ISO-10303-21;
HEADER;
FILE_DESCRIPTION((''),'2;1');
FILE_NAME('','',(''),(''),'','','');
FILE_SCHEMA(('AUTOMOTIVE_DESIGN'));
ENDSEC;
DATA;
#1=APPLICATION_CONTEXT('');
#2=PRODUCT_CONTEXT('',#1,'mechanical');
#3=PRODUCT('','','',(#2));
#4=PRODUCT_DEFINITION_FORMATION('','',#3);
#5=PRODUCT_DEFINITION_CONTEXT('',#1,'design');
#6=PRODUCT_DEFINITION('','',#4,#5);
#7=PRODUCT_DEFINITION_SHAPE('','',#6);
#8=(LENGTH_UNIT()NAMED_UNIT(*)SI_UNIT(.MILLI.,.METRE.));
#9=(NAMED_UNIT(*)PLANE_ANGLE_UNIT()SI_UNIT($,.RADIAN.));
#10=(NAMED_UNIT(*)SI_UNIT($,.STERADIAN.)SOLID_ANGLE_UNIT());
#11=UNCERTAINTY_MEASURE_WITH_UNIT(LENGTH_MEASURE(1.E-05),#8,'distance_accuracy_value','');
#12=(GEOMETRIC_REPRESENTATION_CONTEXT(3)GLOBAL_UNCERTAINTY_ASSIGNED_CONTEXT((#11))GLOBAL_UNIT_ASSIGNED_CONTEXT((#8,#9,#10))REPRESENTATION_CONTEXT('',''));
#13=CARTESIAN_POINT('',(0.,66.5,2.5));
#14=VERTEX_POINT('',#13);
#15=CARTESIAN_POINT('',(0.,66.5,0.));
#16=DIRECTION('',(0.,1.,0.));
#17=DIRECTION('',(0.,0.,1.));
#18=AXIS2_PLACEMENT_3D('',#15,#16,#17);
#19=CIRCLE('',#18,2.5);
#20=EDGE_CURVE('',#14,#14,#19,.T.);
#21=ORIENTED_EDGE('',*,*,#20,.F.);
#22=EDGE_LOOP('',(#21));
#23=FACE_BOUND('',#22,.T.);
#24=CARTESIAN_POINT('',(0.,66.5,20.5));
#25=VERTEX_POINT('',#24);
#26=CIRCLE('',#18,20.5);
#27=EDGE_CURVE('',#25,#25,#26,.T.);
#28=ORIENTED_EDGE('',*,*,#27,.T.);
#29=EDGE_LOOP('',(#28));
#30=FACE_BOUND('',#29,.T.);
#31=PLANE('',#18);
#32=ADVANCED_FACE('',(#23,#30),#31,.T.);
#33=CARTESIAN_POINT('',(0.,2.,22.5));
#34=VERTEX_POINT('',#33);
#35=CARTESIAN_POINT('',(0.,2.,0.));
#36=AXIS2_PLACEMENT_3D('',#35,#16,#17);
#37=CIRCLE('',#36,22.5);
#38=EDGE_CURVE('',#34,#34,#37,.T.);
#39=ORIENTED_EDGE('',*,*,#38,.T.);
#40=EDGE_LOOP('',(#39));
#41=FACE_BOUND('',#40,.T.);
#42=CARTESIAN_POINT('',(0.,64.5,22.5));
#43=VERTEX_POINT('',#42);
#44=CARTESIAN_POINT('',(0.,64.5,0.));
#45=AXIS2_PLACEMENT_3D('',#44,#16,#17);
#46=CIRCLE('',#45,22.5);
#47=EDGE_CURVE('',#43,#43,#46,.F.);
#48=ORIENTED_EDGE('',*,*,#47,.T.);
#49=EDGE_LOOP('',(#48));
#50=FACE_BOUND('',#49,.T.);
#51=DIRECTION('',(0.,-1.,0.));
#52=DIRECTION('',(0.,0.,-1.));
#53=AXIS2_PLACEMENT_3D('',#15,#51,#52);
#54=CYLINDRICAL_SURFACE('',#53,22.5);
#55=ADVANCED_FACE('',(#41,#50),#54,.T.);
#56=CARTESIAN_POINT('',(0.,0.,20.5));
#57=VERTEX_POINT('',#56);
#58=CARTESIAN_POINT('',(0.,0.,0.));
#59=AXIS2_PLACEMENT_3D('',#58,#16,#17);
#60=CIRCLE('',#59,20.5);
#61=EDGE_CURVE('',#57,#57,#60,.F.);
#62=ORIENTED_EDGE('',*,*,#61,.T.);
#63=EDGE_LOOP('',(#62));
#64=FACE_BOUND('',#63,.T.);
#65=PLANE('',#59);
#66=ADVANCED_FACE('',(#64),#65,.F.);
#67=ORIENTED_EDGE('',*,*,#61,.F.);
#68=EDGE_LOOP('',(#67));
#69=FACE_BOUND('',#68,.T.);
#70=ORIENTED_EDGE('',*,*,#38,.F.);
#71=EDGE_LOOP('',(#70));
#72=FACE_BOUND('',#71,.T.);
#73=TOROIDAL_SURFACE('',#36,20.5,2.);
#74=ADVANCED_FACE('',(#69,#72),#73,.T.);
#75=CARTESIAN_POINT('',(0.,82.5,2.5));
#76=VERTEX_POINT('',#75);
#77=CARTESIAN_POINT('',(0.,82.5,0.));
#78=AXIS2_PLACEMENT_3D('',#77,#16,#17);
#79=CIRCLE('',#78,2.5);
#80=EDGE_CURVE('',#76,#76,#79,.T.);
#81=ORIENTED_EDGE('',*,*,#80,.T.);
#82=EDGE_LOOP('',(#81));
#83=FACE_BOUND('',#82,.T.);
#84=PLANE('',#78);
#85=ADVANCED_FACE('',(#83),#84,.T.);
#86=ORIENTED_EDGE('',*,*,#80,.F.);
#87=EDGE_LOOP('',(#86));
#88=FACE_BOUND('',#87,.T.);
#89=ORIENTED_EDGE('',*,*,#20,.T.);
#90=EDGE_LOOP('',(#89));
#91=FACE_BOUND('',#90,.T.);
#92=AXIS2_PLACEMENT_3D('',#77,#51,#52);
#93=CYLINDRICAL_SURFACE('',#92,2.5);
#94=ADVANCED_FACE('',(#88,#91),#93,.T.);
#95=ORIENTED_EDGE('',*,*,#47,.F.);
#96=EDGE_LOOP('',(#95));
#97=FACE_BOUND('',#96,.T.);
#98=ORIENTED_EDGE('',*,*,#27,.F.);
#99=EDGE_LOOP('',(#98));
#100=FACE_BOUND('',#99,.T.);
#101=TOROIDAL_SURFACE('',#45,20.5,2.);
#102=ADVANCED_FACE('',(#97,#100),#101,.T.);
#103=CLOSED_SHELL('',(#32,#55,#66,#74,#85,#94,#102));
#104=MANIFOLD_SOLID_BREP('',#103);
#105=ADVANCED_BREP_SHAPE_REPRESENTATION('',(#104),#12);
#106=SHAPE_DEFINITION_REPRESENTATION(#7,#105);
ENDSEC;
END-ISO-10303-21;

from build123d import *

# Parameters (mm, degrees)
SKETCH_1_R      = 22.5
EXTRUDE_1_DEPTH = 66.5
SKETCH_2_R      = 2.5
EXTRUDE_2_DEPTH = 16
FILLET_1_R      = 2


with BuildPart() as part:
    # 草圖1 → 填料-伸長1 (new body)
    with BuildSketch(Plane(origin=(0, 0, 0), x_dir=(1, 0, 0), z_dir=(0, 1, 0))):
        with Locations(Location((0, 0, 0), (0, 0, 270))):
            Circle(SKETCH_1_R)
    extrude(amount=EXTRUDE_1_DEPTH)

    # 草圖2 → 填料-伸長2 (add)
    with BuildSketch(Plane(origin=(0, 66.5, 0), x_dir=(1, 0, 0), z_dir=(0, 1, 0))):
        with Locations(Location((0, 0, 0), (0, 0, 270))):
            Circle(SKETCH_2_R)
    extrude(amount=EXTRUDE_2_DEPTH)

    # 圓角1
    fillet_1_edges = [part.edges().sort_by_distance(p)[0] for p in [
        (0, 0, -22.5),
        (0, 66.5, -22.5),
    ]]
    fillet(fillet_1_edges, radius=FILLET_1_R)


solid = part.part
